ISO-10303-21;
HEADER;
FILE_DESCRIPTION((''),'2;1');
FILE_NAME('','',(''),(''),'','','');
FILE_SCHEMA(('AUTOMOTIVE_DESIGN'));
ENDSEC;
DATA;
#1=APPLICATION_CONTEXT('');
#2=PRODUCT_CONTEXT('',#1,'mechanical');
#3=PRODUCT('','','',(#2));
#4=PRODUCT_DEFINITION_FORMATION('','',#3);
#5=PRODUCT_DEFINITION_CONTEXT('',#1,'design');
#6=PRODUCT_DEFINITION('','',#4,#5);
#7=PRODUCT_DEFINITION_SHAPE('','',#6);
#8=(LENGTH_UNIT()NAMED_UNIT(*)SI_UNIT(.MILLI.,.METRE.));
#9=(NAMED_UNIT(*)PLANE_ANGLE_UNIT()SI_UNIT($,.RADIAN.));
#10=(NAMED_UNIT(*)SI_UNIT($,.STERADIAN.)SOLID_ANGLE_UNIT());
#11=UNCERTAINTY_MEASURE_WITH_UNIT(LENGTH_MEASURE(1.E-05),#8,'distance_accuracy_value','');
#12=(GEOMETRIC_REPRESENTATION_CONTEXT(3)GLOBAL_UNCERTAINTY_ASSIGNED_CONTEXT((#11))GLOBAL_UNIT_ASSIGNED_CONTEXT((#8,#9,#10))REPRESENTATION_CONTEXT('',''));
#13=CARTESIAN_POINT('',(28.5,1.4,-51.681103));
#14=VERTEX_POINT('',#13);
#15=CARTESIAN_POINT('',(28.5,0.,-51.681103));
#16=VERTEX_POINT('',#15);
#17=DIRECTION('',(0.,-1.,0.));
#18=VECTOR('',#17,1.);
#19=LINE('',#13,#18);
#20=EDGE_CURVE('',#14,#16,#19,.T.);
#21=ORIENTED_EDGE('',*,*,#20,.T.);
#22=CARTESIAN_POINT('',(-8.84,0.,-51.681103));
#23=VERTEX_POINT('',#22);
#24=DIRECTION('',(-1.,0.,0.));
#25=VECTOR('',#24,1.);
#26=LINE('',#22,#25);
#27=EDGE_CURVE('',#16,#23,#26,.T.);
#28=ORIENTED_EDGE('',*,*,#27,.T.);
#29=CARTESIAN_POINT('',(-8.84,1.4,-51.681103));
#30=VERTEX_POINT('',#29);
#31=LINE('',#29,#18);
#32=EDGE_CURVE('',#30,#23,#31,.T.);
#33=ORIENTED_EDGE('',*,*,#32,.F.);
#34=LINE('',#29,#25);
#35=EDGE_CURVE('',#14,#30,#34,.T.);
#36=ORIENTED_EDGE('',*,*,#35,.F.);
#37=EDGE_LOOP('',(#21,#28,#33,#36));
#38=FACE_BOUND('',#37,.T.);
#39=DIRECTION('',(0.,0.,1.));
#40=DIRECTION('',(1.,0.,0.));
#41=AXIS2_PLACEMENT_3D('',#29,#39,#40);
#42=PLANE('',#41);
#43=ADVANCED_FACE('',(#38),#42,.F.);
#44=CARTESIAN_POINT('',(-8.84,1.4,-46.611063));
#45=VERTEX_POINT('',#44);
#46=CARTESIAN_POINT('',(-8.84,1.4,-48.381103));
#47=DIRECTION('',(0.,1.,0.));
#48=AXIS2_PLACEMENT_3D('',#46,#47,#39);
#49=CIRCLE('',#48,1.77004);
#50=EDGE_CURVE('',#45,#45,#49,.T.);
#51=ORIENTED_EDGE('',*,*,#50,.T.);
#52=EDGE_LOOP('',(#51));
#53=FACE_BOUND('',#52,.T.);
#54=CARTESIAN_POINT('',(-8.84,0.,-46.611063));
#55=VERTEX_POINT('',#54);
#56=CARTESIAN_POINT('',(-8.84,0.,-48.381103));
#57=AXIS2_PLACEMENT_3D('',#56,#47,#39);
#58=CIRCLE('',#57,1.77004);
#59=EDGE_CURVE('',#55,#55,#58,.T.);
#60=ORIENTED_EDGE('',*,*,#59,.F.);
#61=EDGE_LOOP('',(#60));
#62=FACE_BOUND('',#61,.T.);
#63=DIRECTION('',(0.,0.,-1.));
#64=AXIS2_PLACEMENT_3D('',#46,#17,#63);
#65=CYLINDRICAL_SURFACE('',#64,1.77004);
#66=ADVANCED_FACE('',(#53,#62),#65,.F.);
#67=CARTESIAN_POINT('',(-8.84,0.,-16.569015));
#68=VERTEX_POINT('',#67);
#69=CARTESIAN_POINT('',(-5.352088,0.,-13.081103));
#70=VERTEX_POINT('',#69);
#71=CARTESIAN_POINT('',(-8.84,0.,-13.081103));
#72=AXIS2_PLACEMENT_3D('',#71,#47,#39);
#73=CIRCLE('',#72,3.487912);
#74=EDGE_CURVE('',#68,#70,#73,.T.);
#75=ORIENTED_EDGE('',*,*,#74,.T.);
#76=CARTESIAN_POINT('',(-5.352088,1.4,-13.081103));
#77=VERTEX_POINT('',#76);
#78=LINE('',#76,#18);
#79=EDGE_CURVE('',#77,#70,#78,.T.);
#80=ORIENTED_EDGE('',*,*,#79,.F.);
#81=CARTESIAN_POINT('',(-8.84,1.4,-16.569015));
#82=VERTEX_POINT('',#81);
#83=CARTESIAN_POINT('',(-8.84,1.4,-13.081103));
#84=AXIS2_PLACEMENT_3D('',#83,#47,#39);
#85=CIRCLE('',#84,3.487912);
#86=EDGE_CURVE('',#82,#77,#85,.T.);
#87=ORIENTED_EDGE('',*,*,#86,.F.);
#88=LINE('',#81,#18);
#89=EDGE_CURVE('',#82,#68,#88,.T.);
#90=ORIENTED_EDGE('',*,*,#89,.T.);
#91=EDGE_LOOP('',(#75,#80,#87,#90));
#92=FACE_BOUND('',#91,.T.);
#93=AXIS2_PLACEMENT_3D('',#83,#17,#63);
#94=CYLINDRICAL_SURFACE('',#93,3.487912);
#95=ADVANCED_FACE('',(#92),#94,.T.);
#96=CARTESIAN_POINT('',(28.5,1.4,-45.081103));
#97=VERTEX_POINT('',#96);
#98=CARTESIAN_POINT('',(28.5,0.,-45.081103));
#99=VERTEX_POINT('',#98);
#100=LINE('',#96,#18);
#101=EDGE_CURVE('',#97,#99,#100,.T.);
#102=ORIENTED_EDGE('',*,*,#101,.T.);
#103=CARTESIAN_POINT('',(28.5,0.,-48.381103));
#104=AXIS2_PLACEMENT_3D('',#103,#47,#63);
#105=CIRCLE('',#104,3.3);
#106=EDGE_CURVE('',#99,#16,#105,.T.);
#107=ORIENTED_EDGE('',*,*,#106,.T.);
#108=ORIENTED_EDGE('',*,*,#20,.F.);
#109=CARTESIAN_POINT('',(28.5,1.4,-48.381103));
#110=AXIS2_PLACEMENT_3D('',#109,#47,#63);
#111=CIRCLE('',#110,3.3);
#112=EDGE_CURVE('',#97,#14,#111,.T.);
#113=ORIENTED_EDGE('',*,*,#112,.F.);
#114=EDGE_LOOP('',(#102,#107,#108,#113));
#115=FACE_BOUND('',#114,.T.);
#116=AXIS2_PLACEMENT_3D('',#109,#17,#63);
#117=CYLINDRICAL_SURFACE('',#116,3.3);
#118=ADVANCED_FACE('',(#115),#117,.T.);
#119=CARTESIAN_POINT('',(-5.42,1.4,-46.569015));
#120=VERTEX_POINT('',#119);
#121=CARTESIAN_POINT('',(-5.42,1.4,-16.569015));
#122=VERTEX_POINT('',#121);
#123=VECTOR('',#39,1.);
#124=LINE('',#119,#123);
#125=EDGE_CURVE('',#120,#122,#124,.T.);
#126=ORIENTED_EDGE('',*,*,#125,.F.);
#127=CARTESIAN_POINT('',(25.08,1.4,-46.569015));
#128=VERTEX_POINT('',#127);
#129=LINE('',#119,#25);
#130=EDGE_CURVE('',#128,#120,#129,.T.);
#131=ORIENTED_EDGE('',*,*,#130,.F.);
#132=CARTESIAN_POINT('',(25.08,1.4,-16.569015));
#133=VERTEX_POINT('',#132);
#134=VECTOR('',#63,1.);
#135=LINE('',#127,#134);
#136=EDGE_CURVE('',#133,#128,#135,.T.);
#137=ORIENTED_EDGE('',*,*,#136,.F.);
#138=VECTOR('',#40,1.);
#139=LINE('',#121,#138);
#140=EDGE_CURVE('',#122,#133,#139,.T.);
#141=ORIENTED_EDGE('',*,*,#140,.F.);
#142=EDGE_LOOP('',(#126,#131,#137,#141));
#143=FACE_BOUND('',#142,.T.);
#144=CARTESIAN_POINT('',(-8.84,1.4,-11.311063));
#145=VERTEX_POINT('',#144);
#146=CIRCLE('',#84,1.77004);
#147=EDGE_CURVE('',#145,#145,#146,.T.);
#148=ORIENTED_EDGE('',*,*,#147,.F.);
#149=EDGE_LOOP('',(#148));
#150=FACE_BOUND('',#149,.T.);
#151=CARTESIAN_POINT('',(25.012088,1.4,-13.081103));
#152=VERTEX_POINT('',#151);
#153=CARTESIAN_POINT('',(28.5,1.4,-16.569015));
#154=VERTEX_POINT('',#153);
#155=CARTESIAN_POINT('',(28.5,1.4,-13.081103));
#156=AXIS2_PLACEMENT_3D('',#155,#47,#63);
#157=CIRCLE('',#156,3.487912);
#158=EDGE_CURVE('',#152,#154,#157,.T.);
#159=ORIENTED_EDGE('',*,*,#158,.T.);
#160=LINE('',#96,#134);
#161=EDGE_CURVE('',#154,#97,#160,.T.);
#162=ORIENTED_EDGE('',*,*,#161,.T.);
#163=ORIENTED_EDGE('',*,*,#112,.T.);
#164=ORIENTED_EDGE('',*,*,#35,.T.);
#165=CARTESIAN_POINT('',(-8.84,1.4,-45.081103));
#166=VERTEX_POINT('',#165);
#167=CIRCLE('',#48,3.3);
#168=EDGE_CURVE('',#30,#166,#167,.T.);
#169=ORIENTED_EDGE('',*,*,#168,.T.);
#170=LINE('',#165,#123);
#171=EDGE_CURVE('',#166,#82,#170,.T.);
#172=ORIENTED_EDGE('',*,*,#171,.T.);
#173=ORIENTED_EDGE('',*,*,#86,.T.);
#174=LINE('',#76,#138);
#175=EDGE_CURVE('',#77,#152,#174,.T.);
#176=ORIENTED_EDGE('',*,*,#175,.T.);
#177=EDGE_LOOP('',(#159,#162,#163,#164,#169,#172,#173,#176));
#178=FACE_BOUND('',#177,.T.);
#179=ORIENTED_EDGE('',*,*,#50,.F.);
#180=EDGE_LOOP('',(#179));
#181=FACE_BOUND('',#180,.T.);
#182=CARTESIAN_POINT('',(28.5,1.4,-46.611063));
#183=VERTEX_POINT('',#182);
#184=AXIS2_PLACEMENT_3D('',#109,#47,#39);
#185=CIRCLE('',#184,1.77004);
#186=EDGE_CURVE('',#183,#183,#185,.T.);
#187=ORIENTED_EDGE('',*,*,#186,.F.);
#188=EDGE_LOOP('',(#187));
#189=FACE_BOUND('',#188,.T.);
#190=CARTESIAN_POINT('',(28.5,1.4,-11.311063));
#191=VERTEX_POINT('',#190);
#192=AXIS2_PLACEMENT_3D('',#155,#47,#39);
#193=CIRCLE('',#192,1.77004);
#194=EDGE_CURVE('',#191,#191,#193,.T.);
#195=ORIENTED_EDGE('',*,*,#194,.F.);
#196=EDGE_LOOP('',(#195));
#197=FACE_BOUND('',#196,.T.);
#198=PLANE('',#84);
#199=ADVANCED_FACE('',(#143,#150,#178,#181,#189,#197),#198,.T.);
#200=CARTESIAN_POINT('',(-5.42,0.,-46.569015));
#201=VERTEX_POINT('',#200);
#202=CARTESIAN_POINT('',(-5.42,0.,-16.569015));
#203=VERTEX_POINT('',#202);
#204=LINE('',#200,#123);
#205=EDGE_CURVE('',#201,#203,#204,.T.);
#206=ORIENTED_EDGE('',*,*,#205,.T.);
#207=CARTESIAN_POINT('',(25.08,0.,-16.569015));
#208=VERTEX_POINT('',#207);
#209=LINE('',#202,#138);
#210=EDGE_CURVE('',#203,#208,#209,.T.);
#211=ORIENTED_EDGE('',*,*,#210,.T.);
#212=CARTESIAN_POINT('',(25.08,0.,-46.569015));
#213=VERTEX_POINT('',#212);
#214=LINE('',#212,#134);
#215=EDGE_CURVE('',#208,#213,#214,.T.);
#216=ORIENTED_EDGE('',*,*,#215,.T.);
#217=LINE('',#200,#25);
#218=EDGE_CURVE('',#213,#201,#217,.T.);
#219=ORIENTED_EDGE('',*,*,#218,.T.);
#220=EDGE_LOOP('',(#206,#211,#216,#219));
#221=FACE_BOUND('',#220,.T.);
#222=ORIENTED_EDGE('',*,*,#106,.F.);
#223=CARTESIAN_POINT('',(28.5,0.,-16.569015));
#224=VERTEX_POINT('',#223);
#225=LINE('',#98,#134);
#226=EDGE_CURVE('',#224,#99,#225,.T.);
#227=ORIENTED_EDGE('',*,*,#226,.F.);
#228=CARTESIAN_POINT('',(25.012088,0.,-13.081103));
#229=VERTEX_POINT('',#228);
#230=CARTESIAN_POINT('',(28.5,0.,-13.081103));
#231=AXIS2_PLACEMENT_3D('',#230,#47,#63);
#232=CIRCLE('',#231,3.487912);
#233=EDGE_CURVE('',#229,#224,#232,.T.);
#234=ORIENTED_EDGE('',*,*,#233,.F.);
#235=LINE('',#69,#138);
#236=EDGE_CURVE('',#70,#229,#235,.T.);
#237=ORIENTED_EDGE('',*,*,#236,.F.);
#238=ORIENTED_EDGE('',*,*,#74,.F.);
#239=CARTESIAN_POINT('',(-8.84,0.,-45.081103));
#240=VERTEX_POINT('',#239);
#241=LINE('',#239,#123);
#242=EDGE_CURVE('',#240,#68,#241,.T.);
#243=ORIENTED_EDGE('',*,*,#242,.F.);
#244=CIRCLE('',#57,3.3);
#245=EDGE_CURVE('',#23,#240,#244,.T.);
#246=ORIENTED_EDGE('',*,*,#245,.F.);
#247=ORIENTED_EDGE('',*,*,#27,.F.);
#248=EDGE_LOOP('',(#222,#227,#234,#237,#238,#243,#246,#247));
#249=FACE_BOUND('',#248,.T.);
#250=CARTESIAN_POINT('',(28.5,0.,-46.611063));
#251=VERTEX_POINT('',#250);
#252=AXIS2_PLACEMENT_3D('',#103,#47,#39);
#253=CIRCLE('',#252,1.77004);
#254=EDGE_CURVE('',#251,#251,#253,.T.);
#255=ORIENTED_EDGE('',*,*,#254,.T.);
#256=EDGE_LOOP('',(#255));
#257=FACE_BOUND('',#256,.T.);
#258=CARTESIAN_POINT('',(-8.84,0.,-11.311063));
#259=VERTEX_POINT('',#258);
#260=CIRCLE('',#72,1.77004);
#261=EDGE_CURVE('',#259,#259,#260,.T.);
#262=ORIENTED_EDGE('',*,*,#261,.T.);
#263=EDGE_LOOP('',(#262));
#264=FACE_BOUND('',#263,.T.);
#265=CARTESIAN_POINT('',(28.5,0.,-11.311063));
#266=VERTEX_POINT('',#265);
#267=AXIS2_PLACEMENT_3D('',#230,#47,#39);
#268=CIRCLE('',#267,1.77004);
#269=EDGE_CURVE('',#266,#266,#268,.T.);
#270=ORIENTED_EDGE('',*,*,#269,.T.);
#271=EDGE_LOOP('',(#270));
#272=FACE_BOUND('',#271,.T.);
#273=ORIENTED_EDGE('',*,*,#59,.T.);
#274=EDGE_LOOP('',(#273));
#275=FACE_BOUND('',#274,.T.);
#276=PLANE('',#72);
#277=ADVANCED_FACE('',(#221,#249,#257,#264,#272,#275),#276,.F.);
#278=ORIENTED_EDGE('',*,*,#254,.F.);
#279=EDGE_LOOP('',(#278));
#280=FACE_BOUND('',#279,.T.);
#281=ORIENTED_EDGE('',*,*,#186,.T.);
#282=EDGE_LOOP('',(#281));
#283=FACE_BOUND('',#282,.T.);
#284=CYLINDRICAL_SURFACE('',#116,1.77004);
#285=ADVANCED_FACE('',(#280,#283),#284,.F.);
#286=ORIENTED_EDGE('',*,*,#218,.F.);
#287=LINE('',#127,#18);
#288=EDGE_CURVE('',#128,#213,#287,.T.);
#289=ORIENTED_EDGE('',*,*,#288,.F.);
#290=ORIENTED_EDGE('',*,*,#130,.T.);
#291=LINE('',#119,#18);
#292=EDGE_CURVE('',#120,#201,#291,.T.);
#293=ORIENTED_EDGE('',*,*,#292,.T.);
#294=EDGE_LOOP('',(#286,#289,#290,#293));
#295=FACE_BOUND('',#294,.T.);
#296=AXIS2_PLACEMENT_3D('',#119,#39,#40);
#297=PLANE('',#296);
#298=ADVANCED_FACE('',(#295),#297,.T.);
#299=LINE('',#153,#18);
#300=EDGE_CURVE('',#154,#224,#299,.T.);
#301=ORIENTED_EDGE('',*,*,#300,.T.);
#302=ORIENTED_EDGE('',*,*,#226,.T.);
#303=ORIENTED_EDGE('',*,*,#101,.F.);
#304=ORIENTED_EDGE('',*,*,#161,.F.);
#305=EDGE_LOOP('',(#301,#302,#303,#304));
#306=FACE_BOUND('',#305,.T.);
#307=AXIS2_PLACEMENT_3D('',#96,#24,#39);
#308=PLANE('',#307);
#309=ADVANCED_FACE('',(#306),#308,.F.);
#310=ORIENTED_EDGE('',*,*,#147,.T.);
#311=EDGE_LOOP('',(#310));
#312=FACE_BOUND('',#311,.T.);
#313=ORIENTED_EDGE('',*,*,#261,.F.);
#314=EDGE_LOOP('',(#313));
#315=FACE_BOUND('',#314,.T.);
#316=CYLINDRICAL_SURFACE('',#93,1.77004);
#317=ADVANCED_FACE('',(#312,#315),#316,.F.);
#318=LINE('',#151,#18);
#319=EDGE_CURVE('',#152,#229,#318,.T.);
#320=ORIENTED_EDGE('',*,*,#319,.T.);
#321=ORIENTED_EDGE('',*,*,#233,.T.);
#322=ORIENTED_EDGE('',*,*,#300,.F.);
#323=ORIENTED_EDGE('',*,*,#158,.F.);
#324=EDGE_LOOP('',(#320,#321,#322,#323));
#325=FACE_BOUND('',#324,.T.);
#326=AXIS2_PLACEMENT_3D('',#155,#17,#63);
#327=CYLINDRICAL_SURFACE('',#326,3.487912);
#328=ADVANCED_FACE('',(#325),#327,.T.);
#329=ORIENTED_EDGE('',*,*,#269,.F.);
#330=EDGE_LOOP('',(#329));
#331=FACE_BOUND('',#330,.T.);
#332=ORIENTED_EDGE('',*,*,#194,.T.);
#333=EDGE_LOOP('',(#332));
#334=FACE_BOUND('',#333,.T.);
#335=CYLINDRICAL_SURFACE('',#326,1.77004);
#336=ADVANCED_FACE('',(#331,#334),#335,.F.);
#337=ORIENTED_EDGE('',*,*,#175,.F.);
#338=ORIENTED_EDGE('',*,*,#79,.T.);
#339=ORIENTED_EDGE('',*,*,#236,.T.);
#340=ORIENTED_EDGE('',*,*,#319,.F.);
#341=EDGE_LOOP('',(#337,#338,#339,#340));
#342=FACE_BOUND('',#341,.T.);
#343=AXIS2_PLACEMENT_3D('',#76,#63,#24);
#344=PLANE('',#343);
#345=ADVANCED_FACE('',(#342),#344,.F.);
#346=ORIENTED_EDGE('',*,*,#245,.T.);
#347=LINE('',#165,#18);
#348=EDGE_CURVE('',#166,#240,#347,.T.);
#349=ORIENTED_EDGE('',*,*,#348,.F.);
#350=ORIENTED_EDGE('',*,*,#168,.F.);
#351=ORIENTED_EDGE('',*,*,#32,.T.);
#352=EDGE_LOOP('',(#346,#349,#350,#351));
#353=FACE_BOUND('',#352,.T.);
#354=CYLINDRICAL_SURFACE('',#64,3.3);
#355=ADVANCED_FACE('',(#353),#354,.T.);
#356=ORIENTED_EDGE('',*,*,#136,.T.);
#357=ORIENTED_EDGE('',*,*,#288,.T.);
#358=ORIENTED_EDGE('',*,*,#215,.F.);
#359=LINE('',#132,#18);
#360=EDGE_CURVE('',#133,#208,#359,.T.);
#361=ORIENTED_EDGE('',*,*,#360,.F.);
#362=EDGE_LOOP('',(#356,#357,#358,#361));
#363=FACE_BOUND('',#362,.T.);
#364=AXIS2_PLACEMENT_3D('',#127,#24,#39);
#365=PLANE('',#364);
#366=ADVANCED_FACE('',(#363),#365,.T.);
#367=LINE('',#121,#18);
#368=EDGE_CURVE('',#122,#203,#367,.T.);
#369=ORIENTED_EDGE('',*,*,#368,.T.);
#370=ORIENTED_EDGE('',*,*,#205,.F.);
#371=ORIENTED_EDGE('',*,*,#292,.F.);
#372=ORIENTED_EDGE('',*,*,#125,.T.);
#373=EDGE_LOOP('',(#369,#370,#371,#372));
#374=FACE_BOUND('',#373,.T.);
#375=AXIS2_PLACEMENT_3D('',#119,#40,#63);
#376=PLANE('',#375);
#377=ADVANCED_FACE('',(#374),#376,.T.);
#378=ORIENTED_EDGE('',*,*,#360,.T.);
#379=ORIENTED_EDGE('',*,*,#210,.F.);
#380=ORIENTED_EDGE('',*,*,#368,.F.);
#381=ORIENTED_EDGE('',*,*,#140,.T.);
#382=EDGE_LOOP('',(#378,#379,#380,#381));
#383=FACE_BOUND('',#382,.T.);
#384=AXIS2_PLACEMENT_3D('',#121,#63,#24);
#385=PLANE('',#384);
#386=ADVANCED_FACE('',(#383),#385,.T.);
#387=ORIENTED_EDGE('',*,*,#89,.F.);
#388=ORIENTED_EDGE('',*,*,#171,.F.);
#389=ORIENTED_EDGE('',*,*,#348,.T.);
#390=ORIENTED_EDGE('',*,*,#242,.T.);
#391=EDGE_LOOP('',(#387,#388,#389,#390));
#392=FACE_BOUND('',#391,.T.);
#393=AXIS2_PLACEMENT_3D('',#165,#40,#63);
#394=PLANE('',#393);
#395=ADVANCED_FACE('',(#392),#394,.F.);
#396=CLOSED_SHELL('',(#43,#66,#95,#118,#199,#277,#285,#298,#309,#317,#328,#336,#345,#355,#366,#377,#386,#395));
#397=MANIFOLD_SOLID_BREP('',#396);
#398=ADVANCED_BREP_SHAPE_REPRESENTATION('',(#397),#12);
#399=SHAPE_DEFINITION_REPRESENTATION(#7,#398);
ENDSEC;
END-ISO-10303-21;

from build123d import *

# Parameters (mm, degrees)
SKETCH2_R           = 1.770040435
SKETCH2_W           = 30.5
SKETCH2_H           = 30
BOSS_EXTRUDE1_DEPTH = 1.4


with BuildPart() as part:
    # Sketch2 → Boss-Extrude1 (new body)
    with BuildSketch(Plane(origin=(0, 0, 0), x_dir=(1, 0, 0), z_dir=(0, 1, 0))):
        with BuildLine():
            Line((-8.84, 51.681103494), (28.5, 51.681103494))
            ThreePointArc((28.5, 51.681103494), (31.8, 48.381103494), (28.5, 45.081103494))
            Line((28.5, 45.081103494), (28.5, 16.569015353))
            ThreePointArc((28.5, 16.569015353), (30.966326128, 10.614777366), (25.012088141, 13.081103494))
            Line((25.012088141, 13.081103494), (-5.352088141, 13.081103494))
            ThreePointArc((-5.352088141, 13.081103494), (-11.306326128, 10.614777366), (-8.84, 16.569015353))
            Line((-8.84, 16.569015353), (-8.84, 45.081103494))
            ThreePointArc((-8.84, 45.081103494), (-12.14, 48.381103494), (-8.84, 51.681103494))
        make_face()
        with Locations((-8.84, 48.381103494)):
            Circle(SKETCH2_R, mode=Mode.SUBTRACT)
        with Locations((28.5, 48.381103494)):
            Circle(SKETCH2_R, mode=Mode.SUBTRACT)
        with Locations((-8.84, 13.081103494)):
            Circle(SKETCH2_R, mode=Mode.SUBTRACT)
        with Locations((28.5, 13.081103494)):
            Circle(SKETCH2_R, mode=Mode.SUBTRACT)
        with Locations((9.83, 31.569015353)):
            Rectangle(SKETCH2_W, SKETCH2_H, mode=Mode.SUBTRACT)
    extrude(amount=BOSS_EXTRUDE1_DEPTH)


solid = part.part
